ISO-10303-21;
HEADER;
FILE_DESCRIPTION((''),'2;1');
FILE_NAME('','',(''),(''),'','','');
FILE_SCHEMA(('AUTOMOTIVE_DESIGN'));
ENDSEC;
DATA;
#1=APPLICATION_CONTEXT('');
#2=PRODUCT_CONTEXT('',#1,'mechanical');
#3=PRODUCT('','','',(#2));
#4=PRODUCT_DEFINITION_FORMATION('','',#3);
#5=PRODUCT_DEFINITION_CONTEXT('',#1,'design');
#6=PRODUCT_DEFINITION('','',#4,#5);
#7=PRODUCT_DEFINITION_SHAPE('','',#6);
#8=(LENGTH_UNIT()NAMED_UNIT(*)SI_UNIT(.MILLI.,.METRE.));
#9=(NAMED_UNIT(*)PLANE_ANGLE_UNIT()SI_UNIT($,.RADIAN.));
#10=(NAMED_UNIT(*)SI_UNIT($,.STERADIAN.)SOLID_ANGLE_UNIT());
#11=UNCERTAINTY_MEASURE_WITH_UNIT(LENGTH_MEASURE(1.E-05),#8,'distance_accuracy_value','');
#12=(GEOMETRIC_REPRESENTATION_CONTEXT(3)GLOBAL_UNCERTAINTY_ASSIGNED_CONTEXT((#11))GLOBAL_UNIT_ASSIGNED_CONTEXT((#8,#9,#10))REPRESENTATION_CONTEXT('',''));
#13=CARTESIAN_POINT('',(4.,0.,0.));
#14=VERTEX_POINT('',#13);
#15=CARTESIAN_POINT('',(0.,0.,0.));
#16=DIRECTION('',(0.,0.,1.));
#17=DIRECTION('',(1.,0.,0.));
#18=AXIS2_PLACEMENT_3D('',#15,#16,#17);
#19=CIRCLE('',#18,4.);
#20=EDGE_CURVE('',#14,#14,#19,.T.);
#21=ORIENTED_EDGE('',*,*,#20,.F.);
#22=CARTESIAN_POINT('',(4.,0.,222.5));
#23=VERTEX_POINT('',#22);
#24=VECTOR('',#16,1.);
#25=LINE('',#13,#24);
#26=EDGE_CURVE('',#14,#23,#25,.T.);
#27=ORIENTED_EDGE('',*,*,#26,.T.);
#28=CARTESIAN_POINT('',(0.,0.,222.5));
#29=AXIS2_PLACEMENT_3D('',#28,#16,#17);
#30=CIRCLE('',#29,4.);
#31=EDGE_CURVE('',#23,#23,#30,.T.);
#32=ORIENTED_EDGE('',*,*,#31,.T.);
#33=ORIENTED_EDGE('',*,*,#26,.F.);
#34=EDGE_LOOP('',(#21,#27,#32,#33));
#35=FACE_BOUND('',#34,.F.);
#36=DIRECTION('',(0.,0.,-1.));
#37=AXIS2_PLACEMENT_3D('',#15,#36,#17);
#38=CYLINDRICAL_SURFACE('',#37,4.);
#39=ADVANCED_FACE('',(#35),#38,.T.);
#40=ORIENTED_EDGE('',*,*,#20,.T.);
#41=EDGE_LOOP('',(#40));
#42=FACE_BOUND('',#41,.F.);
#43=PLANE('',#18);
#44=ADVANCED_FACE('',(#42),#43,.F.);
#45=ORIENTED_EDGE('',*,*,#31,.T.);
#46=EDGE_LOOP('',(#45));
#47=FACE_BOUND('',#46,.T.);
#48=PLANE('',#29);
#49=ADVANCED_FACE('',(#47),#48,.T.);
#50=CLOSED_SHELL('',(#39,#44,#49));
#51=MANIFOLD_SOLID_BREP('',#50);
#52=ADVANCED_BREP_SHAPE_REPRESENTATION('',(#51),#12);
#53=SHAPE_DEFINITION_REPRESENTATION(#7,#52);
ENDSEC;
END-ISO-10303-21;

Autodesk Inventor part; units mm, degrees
ref_plane "YZ Plane" through (0, 0, 0) normal (1, 0, 0) x (0, 1, 0)
ref_plane "XZ Plane" through (0, 0, 0) normal (0, 1, 0) x (-1, 0, 0)
ref_plane "XY Plane" through (0, 0, 0) normal (0, 0, 1) x (1, 0, 0)
sketch "Sketch1" plane through (0, 0, 0) normal (0, 0, 1) x (1, 0, 0)
  circle A0 centre (0, 0) radius 4
  dimension "d0" = 8
extrude "Extrusion1" add sketch "Sketch1" along normal blind 222.5
properties part number "0008-10-1007 Bara 8"
